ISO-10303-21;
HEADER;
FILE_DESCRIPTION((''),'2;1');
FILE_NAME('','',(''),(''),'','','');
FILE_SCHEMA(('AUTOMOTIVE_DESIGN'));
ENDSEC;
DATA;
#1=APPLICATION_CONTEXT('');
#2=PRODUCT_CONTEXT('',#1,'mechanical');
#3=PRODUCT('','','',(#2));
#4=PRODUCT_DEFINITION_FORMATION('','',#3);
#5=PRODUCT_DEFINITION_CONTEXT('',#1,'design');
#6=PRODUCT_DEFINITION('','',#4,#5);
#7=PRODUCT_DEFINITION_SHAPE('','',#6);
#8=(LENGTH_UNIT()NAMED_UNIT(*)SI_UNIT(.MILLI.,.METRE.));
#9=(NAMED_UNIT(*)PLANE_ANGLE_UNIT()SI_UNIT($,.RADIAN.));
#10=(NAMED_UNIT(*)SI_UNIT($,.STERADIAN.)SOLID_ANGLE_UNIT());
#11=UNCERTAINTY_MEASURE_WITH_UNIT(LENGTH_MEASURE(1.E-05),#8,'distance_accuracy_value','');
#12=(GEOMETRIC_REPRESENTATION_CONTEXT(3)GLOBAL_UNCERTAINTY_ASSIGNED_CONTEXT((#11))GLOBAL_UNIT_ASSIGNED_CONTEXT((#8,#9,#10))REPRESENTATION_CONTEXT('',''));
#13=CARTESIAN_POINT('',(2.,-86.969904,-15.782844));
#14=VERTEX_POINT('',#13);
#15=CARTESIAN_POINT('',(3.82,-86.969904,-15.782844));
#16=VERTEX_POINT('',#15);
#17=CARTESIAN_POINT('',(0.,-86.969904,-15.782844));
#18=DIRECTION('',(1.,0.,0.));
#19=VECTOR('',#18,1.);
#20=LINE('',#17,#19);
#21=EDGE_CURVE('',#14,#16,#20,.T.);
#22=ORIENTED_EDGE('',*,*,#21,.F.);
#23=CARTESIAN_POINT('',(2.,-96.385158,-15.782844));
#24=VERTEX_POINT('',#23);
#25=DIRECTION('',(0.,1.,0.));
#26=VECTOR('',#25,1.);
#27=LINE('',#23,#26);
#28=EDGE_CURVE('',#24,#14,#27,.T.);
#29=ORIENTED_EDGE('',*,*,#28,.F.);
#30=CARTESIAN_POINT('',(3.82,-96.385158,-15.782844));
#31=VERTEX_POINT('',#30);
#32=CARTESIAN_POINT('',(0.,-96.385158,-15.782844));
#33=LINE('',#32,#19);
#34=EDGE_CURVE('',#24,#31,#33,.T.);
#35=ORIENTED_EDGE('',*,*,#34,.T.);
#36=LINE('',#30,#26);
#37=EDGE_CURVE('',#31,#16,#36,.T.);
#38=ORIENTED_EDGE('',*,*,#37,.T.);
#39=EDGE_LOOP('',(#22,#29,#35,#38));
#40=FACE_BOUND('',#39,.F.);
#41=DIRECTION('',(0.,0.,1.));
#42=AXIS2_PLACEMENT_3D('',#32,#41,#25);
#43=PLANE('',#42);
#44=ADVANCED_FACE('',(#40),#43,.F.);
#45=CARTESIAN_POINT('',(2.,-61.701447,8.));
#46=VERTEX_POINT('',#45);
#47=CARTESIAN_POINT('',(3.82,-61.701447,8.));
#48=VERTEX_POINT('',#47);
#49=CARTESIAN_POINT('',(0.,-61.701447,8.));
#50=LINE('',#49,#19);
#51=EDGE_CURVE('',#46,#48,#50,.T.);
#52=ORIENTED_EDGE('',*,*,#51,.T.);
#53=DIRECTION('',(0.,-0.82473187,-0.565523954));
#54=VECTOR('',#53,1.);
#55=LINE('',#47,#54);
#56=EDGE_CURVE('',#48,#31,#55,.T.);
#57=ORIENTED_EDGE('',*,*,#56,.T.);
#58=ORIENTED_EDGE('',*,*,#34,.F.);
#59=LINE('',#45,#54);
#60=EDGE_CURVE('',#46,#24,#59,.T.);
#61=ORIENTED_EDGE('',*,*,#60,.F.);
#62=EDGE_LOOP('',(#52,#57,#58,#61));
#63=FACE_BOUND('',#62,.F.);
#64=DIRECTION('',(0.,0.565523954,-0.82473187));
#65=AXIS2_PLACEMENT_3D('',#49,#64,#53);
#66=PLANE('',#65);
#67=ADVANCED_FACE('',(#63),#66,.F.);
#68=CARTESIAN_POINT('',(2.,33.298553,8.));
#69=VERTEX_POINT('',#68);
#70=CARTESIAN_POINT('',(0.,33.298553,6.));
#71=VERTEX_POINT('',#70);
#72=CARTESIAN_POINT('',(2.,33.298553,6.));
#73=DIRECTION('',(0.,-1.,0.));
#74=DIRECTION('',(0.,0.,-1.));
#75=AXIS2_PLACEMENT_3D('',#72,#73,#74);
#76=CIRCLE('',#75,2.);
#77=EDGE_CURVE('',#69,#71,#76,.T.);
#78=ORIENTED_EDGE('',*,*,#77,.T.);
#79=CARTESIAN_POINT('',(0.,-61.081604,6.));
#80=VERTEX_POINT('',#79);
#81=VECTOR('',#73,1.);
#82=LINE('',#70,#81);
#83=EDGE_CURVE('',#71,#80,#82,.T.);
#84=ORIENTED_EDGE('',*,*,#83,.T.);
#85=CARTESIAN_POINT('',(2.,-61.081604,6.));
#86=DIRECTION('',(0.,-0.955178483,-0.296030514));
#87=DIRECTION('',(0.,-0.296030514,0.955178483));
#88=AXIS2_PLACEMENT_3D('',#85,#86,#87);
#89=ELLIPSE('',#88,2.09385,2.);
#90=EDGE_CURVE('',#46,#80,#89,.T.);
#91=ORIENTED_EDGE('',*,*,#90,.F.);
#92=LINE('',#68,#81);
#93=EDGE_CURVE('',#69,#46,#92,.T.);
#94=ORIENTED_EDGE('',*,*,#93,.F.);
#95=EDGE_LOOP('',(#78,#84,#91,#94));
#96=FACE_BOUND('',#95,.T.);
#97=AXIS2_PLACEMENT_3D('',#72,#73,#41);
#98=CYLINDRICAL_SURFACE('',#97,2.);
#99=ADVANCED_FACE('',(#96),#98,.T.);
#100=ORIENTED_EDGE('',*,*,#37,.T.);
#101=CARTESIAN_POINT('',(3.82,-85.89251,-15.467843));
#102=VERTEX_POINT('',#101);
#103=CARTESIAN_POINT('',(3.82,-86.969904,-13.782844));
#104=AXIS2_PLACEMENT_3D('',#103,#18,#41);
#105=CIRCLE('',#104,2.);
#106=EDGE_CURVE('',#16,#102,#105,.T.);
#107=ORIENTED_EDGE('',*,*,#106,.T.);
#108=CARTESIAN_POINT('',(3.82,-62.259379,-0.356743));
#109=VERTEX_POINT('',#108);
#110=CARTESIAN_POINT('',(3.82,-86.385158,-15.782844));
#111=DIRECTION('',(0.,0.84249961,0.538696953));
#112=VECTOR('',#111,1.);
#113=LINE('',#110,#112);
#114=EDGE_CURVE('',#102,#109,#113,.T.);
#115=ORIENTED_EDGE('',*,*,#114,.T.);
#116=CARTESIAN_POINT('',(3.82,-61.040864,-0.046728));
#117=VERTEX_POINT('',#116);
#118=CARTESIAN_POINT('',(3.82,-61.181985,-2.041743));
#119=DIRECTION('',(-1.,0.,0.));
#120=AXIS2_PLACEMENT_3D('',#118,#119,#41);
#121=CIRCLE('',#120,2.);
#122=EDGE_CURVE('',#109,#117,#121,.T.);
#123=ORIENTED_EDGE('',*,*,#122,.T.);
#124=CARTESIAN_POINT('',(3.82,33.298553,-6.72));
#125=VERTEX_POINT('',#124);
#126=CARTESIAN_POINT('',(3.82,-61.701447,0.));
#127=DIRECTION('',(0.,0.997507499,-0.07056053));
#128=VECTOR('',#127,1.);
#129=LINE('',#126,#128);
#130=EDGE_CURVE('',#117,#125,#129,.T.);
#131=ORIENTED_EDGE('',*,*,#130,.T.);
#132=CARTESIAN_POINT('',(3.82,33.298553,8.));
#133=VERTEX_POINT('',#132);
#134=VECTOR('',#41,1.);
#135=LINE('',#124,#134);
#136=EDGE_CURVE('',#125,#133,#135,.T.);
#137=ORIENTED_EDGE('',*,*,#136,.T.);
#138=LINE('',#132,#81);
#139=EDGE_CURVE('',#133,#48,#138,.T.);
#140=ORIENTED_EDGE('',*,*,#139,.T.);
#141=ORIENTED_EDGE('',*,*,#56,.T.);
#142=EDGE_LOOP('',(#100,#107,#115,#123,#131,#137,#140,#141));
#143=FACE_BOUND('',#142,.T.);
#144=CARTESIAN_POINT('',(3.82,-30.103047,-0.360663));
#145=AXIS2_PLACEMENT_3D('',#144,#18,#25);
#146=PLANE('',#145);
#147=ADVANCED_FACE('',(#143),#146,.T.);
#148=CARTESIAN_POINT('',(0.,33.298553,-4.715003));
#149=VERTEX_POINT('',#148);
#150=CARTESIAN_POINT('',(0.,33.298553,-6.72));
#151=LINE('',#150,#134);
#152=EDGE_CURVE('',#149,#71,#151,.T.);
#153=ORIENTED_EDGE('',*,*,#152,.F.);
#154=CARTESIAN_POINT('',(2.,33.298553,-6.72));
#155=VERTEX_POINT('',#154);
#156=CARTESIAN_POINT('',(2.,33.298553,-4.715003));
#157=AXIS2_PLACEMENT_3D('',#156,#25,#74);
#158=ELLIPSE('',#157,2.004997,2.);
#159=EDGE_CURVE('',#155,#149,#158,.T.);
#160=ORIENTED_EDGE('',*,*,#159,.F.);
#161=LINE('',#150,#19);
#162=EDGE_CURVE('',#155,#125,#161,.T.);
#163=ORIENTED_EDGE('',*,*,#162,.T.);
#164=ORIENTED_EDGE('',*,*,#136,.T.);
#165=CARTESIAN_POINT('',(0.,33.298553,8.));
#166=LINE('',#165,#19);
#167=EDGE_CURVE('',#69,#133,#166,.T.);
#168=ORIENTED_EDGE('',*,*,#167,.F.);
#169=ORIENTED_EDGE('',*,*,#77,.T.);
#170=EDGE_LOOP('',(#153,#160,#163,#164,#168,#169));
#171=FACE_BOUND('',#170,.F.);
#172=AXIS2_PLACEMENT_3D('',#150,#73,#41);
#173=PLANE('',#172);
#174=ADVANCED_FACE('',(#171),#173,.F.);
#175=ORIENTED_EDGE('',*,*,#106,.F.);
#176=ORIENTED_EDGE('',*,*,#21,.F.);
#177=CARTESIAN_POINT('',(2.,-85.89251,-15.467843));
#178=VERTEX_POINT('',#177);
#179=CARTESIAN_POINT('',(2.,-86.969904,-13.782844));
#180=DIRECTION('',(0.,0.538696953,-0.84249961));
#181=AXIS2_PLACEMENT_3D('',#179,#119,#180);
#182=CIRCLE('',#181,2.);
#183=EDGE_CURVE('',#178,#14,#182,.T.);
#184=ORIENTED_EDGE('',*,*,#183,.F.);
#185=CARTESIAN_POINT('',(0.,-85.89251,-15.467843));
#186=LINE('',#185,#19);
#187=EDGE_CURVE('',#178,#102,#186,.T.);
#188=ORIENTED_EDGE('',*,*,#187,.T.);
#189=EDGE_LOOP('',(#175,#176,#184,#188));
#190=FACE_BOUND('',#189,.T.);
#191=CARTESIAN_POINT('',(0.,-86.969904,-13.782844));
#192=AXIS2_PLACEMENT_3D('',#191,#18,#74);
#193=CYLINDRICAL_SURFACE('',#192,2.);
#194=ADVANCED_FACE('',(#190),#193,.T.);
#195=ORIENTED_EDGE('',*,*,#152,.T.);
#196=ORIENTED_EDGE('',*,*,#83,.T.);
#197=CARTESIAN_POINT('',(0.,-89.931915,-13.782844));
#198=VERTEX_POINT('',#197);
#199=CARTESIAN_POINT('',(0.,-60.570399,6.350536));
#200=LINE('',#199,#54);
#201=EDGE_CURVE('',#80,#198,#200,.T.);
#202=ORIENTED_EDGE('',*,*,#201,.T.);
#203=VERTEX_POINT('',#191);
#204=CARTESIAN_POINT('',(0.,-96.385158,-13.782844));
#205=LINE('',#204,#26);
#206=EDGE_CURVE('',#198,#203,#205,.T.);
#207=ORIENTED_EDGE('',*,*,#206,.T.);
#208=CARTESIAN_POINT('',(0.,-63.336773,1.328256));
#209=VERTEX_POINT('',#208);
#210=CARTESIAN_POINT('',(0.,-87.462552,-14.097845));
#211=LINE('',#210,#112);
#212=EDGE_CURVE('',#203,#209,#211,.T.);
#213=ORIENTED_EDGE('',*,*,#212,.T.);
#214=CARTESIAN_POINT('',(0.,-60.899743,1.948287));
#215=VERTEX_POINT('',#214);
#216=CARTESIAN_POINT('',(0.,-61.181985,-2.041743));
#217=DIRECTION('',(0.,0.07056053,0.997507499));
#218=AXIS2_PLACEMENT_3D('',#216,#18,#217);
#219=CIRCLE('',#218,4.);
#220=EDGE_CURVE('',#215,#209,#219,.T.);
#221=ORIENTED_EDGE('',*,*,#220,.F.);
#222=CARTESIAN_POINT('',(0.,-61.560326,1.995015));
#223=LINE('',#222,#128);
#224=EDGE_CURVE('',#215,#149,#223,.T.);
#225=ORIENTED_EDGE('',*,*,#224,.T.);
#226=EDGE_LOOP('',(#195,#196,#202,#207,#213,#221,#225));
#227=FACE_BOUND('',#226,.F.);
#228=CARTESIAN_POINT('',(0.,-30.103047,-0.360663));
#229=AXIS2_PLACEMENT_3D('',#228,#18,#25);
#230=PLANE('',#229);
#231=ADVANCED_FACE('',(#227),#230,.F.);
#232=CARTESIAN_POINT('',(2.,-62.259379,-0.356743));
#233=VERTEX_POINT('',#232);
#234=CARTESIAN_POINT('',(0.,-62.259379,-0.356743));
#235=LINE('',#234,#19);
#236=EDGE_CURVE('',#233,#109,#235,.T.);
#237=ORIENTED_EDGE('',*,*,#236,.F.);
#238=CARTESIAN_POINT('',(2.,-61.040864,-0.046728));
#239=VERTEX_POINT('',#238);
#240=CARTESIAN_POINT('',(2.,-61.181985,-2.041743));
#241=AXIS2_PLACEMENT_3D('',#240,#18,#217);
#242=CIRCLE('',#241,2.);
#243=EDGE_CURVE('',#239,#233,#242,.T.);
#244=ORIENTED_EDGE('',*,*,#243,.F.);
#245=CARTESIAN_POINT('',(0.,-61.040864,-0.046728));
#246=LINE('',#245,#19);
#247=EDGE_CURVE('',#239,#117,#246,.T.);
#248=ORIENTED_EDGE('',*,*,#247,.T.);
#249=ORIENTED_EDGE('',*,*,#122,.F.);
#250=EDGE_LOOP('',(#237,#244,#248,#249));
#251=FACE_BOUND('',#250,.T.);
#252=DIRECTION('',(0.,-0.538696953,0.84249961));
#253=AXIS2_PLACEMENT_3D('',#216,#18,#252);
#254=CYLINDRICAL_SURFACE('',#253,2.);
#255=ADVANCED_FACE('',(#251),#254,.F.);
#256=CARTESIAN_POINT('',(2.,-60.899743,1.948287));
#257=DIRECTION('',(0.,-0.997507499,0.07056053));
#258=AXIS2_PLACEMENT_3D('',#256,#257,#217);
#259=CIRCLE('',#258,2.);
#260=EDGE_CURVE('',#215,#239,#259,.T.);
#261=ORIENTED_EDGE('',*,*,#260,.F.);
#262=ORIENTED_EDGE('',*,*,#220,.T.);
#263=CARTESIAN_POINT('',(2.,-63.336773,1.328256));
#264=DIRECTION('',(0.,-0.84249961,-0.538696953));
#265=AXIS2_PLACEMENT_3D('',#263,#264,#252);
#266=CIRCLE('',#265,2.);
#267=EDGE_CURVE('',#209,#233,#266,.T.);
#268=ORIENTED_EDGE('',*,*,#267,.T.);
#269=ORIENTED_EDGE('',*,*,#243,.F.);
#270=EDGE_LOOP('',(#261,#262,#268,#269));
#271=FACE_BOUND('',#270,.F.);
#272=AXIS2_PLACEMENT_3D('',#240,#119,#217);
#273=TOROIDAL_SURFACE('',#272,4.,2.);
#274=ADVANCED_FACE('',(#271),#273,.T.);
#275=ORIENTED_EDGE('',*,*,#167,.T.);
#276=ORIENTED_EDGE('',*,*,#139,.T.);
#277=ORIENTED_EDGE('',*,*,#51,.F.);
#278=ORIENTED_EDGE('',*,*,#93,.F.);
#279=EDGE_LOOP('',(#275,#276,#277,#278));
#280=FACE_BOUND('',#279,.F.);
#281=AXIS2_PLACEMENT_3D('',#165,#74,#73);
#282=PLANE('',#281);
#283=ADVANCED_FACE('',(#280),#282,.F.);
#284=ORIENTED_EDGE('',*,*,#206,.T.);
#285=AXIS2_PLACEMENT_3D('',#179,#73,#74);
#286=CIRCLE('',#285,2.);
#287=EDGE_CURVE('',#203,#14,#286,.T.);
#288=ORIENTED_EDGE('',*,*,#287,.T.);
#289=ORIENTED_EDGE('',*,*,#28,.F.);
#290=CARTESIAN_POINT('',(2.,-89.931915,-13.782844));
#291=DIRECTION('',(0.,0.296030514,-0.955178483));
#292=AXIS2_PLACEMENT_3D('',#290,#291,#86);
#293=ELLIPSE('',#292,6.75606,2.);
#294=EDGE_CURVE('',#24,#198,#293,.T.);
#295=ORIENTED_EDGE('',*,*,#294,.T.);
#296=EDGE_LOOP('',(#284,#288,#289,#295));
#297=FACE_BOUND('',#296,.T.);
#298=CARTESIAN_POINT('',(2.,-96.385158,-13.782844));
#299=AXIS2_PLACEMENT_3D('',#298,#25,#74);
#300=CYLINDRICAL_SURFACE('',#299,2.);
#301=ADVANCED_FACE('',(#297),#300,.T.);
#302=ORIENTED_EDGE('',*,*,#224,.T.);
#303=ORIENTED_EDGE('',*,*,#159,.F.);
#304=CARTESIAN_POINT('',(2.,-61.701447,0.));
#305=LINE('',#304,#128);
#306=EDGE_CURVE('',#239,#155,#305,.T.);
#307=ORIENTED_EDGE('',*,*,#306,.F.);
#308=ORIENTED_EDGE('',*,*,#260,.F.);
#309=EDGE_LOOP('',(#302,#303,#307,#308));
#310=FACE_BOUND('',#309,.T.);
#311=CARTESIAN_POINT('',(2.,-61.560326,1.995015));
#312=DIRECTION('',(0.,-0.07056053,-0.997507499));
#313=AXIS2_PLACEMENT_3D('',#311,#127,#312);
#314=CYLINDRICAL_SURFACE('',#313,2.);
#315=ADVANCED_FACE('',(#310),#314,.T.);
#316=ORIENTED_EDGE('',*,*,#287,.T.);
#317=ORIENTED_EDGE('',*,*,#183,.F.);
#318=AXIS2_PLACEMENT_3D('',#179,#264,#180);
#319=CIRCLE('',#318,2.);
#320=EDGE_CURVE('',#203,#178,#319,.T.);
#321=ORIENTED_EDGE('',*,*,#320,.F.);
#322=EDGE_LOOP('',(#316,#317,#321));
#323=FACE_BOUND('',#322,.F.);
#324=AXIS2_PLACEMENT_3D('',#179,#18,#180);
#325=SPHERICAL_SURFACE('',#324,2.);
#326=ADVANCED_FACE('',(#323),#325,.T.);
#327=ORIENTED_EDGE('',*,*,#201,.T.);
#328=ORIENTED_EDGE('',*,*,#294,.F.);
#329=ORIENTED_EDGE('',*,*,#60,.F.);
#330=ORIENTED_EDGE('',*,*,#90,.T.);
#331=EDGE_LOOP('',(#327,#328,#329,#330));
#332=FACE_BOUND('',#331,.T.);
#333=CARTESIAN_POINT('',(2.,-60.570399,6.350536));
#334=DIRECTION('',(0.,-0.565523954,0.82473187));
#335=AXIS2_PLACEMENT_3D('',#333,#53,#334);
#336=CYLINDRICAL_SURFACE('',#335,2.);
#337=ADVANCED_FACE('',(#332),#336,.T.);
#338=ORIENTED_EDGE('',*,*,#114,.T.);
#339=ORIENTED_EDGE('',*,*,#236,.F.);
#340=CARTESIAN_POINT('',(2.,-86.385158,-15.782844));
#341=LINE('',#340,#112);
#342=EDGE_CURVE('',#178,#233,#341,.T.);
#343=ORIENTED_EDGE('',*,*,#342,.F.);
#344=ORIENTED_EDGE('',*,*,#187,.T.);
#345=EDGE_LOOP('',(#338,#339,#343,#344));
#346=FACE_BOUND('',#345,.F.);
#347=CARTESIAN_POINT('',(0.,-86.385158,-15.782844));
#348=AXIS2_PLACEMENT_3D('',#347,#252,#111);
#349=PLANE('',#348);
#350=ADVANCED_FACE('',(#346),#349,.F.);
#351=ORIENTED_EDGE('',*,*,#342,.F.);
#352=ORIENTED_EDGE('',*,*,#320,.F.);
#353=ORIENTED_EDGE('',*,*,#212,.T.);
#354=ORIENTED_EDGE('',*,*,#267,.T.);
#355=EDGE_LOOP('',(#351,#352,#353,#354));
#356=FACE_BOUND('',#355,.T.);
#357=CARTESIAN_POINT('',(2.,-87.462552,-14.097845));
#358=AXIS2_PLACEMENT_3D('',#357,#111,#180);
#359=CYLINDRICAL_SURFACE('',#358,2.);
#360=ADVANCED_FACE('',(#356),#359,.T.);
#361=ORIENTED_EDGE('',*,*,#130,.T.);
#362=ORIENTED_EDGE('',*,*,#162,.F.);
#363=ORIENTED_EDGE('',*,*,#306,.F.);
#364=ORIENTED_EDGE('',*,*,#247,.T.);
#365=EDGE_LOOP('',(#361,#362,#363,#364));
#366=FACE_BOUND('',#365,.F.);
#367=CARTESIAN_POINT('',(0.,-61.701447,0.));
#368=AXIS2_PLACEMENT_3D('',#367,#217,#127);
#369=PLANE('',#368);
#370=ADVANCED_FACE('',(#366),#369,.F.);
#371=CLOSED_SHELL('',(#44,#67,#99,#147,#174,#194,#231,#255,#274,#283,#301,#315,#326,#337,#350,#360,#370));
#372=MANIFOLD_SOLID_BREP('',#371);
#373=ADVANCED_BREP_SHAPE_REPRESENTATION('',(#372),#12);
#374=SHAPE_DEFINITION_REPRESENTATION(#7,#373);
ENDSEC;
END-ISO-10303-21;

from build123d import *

# Parameters (mm, degrees)
F1_DEPTH = 3.82
F2_R     = 2


with BuildPart() as f1:
    # F0 (on Right) → F1 (new body)
    with BuildSketch(Plane.YZ):
        Polygon((33.298553, -6.72), (33.298553, 8), (-61.701447, 8), (-96.385158, -15.782844), (-86.385158, -15.782844), (-61.701447, 0), align=None)
    extrude(amount=F1_DEPTH)

    # F2
    f2_edges = [f1.edges().sort_by_distance(p)[0] for p in [
        (0, -14.201447, 8),
        (0, -14.201447, -3.36),
        (0, -79.043303, -3.891422),
        (0, -74.043303, -7.891422),
        (0, -91.385158, -15.782844),
        (1.91, -61.701447, 0),
        (1.91, -86.385158, -15.782844),
    ]]
    fillet(f2_edges, radius=F2_R)


solid = f1.part
